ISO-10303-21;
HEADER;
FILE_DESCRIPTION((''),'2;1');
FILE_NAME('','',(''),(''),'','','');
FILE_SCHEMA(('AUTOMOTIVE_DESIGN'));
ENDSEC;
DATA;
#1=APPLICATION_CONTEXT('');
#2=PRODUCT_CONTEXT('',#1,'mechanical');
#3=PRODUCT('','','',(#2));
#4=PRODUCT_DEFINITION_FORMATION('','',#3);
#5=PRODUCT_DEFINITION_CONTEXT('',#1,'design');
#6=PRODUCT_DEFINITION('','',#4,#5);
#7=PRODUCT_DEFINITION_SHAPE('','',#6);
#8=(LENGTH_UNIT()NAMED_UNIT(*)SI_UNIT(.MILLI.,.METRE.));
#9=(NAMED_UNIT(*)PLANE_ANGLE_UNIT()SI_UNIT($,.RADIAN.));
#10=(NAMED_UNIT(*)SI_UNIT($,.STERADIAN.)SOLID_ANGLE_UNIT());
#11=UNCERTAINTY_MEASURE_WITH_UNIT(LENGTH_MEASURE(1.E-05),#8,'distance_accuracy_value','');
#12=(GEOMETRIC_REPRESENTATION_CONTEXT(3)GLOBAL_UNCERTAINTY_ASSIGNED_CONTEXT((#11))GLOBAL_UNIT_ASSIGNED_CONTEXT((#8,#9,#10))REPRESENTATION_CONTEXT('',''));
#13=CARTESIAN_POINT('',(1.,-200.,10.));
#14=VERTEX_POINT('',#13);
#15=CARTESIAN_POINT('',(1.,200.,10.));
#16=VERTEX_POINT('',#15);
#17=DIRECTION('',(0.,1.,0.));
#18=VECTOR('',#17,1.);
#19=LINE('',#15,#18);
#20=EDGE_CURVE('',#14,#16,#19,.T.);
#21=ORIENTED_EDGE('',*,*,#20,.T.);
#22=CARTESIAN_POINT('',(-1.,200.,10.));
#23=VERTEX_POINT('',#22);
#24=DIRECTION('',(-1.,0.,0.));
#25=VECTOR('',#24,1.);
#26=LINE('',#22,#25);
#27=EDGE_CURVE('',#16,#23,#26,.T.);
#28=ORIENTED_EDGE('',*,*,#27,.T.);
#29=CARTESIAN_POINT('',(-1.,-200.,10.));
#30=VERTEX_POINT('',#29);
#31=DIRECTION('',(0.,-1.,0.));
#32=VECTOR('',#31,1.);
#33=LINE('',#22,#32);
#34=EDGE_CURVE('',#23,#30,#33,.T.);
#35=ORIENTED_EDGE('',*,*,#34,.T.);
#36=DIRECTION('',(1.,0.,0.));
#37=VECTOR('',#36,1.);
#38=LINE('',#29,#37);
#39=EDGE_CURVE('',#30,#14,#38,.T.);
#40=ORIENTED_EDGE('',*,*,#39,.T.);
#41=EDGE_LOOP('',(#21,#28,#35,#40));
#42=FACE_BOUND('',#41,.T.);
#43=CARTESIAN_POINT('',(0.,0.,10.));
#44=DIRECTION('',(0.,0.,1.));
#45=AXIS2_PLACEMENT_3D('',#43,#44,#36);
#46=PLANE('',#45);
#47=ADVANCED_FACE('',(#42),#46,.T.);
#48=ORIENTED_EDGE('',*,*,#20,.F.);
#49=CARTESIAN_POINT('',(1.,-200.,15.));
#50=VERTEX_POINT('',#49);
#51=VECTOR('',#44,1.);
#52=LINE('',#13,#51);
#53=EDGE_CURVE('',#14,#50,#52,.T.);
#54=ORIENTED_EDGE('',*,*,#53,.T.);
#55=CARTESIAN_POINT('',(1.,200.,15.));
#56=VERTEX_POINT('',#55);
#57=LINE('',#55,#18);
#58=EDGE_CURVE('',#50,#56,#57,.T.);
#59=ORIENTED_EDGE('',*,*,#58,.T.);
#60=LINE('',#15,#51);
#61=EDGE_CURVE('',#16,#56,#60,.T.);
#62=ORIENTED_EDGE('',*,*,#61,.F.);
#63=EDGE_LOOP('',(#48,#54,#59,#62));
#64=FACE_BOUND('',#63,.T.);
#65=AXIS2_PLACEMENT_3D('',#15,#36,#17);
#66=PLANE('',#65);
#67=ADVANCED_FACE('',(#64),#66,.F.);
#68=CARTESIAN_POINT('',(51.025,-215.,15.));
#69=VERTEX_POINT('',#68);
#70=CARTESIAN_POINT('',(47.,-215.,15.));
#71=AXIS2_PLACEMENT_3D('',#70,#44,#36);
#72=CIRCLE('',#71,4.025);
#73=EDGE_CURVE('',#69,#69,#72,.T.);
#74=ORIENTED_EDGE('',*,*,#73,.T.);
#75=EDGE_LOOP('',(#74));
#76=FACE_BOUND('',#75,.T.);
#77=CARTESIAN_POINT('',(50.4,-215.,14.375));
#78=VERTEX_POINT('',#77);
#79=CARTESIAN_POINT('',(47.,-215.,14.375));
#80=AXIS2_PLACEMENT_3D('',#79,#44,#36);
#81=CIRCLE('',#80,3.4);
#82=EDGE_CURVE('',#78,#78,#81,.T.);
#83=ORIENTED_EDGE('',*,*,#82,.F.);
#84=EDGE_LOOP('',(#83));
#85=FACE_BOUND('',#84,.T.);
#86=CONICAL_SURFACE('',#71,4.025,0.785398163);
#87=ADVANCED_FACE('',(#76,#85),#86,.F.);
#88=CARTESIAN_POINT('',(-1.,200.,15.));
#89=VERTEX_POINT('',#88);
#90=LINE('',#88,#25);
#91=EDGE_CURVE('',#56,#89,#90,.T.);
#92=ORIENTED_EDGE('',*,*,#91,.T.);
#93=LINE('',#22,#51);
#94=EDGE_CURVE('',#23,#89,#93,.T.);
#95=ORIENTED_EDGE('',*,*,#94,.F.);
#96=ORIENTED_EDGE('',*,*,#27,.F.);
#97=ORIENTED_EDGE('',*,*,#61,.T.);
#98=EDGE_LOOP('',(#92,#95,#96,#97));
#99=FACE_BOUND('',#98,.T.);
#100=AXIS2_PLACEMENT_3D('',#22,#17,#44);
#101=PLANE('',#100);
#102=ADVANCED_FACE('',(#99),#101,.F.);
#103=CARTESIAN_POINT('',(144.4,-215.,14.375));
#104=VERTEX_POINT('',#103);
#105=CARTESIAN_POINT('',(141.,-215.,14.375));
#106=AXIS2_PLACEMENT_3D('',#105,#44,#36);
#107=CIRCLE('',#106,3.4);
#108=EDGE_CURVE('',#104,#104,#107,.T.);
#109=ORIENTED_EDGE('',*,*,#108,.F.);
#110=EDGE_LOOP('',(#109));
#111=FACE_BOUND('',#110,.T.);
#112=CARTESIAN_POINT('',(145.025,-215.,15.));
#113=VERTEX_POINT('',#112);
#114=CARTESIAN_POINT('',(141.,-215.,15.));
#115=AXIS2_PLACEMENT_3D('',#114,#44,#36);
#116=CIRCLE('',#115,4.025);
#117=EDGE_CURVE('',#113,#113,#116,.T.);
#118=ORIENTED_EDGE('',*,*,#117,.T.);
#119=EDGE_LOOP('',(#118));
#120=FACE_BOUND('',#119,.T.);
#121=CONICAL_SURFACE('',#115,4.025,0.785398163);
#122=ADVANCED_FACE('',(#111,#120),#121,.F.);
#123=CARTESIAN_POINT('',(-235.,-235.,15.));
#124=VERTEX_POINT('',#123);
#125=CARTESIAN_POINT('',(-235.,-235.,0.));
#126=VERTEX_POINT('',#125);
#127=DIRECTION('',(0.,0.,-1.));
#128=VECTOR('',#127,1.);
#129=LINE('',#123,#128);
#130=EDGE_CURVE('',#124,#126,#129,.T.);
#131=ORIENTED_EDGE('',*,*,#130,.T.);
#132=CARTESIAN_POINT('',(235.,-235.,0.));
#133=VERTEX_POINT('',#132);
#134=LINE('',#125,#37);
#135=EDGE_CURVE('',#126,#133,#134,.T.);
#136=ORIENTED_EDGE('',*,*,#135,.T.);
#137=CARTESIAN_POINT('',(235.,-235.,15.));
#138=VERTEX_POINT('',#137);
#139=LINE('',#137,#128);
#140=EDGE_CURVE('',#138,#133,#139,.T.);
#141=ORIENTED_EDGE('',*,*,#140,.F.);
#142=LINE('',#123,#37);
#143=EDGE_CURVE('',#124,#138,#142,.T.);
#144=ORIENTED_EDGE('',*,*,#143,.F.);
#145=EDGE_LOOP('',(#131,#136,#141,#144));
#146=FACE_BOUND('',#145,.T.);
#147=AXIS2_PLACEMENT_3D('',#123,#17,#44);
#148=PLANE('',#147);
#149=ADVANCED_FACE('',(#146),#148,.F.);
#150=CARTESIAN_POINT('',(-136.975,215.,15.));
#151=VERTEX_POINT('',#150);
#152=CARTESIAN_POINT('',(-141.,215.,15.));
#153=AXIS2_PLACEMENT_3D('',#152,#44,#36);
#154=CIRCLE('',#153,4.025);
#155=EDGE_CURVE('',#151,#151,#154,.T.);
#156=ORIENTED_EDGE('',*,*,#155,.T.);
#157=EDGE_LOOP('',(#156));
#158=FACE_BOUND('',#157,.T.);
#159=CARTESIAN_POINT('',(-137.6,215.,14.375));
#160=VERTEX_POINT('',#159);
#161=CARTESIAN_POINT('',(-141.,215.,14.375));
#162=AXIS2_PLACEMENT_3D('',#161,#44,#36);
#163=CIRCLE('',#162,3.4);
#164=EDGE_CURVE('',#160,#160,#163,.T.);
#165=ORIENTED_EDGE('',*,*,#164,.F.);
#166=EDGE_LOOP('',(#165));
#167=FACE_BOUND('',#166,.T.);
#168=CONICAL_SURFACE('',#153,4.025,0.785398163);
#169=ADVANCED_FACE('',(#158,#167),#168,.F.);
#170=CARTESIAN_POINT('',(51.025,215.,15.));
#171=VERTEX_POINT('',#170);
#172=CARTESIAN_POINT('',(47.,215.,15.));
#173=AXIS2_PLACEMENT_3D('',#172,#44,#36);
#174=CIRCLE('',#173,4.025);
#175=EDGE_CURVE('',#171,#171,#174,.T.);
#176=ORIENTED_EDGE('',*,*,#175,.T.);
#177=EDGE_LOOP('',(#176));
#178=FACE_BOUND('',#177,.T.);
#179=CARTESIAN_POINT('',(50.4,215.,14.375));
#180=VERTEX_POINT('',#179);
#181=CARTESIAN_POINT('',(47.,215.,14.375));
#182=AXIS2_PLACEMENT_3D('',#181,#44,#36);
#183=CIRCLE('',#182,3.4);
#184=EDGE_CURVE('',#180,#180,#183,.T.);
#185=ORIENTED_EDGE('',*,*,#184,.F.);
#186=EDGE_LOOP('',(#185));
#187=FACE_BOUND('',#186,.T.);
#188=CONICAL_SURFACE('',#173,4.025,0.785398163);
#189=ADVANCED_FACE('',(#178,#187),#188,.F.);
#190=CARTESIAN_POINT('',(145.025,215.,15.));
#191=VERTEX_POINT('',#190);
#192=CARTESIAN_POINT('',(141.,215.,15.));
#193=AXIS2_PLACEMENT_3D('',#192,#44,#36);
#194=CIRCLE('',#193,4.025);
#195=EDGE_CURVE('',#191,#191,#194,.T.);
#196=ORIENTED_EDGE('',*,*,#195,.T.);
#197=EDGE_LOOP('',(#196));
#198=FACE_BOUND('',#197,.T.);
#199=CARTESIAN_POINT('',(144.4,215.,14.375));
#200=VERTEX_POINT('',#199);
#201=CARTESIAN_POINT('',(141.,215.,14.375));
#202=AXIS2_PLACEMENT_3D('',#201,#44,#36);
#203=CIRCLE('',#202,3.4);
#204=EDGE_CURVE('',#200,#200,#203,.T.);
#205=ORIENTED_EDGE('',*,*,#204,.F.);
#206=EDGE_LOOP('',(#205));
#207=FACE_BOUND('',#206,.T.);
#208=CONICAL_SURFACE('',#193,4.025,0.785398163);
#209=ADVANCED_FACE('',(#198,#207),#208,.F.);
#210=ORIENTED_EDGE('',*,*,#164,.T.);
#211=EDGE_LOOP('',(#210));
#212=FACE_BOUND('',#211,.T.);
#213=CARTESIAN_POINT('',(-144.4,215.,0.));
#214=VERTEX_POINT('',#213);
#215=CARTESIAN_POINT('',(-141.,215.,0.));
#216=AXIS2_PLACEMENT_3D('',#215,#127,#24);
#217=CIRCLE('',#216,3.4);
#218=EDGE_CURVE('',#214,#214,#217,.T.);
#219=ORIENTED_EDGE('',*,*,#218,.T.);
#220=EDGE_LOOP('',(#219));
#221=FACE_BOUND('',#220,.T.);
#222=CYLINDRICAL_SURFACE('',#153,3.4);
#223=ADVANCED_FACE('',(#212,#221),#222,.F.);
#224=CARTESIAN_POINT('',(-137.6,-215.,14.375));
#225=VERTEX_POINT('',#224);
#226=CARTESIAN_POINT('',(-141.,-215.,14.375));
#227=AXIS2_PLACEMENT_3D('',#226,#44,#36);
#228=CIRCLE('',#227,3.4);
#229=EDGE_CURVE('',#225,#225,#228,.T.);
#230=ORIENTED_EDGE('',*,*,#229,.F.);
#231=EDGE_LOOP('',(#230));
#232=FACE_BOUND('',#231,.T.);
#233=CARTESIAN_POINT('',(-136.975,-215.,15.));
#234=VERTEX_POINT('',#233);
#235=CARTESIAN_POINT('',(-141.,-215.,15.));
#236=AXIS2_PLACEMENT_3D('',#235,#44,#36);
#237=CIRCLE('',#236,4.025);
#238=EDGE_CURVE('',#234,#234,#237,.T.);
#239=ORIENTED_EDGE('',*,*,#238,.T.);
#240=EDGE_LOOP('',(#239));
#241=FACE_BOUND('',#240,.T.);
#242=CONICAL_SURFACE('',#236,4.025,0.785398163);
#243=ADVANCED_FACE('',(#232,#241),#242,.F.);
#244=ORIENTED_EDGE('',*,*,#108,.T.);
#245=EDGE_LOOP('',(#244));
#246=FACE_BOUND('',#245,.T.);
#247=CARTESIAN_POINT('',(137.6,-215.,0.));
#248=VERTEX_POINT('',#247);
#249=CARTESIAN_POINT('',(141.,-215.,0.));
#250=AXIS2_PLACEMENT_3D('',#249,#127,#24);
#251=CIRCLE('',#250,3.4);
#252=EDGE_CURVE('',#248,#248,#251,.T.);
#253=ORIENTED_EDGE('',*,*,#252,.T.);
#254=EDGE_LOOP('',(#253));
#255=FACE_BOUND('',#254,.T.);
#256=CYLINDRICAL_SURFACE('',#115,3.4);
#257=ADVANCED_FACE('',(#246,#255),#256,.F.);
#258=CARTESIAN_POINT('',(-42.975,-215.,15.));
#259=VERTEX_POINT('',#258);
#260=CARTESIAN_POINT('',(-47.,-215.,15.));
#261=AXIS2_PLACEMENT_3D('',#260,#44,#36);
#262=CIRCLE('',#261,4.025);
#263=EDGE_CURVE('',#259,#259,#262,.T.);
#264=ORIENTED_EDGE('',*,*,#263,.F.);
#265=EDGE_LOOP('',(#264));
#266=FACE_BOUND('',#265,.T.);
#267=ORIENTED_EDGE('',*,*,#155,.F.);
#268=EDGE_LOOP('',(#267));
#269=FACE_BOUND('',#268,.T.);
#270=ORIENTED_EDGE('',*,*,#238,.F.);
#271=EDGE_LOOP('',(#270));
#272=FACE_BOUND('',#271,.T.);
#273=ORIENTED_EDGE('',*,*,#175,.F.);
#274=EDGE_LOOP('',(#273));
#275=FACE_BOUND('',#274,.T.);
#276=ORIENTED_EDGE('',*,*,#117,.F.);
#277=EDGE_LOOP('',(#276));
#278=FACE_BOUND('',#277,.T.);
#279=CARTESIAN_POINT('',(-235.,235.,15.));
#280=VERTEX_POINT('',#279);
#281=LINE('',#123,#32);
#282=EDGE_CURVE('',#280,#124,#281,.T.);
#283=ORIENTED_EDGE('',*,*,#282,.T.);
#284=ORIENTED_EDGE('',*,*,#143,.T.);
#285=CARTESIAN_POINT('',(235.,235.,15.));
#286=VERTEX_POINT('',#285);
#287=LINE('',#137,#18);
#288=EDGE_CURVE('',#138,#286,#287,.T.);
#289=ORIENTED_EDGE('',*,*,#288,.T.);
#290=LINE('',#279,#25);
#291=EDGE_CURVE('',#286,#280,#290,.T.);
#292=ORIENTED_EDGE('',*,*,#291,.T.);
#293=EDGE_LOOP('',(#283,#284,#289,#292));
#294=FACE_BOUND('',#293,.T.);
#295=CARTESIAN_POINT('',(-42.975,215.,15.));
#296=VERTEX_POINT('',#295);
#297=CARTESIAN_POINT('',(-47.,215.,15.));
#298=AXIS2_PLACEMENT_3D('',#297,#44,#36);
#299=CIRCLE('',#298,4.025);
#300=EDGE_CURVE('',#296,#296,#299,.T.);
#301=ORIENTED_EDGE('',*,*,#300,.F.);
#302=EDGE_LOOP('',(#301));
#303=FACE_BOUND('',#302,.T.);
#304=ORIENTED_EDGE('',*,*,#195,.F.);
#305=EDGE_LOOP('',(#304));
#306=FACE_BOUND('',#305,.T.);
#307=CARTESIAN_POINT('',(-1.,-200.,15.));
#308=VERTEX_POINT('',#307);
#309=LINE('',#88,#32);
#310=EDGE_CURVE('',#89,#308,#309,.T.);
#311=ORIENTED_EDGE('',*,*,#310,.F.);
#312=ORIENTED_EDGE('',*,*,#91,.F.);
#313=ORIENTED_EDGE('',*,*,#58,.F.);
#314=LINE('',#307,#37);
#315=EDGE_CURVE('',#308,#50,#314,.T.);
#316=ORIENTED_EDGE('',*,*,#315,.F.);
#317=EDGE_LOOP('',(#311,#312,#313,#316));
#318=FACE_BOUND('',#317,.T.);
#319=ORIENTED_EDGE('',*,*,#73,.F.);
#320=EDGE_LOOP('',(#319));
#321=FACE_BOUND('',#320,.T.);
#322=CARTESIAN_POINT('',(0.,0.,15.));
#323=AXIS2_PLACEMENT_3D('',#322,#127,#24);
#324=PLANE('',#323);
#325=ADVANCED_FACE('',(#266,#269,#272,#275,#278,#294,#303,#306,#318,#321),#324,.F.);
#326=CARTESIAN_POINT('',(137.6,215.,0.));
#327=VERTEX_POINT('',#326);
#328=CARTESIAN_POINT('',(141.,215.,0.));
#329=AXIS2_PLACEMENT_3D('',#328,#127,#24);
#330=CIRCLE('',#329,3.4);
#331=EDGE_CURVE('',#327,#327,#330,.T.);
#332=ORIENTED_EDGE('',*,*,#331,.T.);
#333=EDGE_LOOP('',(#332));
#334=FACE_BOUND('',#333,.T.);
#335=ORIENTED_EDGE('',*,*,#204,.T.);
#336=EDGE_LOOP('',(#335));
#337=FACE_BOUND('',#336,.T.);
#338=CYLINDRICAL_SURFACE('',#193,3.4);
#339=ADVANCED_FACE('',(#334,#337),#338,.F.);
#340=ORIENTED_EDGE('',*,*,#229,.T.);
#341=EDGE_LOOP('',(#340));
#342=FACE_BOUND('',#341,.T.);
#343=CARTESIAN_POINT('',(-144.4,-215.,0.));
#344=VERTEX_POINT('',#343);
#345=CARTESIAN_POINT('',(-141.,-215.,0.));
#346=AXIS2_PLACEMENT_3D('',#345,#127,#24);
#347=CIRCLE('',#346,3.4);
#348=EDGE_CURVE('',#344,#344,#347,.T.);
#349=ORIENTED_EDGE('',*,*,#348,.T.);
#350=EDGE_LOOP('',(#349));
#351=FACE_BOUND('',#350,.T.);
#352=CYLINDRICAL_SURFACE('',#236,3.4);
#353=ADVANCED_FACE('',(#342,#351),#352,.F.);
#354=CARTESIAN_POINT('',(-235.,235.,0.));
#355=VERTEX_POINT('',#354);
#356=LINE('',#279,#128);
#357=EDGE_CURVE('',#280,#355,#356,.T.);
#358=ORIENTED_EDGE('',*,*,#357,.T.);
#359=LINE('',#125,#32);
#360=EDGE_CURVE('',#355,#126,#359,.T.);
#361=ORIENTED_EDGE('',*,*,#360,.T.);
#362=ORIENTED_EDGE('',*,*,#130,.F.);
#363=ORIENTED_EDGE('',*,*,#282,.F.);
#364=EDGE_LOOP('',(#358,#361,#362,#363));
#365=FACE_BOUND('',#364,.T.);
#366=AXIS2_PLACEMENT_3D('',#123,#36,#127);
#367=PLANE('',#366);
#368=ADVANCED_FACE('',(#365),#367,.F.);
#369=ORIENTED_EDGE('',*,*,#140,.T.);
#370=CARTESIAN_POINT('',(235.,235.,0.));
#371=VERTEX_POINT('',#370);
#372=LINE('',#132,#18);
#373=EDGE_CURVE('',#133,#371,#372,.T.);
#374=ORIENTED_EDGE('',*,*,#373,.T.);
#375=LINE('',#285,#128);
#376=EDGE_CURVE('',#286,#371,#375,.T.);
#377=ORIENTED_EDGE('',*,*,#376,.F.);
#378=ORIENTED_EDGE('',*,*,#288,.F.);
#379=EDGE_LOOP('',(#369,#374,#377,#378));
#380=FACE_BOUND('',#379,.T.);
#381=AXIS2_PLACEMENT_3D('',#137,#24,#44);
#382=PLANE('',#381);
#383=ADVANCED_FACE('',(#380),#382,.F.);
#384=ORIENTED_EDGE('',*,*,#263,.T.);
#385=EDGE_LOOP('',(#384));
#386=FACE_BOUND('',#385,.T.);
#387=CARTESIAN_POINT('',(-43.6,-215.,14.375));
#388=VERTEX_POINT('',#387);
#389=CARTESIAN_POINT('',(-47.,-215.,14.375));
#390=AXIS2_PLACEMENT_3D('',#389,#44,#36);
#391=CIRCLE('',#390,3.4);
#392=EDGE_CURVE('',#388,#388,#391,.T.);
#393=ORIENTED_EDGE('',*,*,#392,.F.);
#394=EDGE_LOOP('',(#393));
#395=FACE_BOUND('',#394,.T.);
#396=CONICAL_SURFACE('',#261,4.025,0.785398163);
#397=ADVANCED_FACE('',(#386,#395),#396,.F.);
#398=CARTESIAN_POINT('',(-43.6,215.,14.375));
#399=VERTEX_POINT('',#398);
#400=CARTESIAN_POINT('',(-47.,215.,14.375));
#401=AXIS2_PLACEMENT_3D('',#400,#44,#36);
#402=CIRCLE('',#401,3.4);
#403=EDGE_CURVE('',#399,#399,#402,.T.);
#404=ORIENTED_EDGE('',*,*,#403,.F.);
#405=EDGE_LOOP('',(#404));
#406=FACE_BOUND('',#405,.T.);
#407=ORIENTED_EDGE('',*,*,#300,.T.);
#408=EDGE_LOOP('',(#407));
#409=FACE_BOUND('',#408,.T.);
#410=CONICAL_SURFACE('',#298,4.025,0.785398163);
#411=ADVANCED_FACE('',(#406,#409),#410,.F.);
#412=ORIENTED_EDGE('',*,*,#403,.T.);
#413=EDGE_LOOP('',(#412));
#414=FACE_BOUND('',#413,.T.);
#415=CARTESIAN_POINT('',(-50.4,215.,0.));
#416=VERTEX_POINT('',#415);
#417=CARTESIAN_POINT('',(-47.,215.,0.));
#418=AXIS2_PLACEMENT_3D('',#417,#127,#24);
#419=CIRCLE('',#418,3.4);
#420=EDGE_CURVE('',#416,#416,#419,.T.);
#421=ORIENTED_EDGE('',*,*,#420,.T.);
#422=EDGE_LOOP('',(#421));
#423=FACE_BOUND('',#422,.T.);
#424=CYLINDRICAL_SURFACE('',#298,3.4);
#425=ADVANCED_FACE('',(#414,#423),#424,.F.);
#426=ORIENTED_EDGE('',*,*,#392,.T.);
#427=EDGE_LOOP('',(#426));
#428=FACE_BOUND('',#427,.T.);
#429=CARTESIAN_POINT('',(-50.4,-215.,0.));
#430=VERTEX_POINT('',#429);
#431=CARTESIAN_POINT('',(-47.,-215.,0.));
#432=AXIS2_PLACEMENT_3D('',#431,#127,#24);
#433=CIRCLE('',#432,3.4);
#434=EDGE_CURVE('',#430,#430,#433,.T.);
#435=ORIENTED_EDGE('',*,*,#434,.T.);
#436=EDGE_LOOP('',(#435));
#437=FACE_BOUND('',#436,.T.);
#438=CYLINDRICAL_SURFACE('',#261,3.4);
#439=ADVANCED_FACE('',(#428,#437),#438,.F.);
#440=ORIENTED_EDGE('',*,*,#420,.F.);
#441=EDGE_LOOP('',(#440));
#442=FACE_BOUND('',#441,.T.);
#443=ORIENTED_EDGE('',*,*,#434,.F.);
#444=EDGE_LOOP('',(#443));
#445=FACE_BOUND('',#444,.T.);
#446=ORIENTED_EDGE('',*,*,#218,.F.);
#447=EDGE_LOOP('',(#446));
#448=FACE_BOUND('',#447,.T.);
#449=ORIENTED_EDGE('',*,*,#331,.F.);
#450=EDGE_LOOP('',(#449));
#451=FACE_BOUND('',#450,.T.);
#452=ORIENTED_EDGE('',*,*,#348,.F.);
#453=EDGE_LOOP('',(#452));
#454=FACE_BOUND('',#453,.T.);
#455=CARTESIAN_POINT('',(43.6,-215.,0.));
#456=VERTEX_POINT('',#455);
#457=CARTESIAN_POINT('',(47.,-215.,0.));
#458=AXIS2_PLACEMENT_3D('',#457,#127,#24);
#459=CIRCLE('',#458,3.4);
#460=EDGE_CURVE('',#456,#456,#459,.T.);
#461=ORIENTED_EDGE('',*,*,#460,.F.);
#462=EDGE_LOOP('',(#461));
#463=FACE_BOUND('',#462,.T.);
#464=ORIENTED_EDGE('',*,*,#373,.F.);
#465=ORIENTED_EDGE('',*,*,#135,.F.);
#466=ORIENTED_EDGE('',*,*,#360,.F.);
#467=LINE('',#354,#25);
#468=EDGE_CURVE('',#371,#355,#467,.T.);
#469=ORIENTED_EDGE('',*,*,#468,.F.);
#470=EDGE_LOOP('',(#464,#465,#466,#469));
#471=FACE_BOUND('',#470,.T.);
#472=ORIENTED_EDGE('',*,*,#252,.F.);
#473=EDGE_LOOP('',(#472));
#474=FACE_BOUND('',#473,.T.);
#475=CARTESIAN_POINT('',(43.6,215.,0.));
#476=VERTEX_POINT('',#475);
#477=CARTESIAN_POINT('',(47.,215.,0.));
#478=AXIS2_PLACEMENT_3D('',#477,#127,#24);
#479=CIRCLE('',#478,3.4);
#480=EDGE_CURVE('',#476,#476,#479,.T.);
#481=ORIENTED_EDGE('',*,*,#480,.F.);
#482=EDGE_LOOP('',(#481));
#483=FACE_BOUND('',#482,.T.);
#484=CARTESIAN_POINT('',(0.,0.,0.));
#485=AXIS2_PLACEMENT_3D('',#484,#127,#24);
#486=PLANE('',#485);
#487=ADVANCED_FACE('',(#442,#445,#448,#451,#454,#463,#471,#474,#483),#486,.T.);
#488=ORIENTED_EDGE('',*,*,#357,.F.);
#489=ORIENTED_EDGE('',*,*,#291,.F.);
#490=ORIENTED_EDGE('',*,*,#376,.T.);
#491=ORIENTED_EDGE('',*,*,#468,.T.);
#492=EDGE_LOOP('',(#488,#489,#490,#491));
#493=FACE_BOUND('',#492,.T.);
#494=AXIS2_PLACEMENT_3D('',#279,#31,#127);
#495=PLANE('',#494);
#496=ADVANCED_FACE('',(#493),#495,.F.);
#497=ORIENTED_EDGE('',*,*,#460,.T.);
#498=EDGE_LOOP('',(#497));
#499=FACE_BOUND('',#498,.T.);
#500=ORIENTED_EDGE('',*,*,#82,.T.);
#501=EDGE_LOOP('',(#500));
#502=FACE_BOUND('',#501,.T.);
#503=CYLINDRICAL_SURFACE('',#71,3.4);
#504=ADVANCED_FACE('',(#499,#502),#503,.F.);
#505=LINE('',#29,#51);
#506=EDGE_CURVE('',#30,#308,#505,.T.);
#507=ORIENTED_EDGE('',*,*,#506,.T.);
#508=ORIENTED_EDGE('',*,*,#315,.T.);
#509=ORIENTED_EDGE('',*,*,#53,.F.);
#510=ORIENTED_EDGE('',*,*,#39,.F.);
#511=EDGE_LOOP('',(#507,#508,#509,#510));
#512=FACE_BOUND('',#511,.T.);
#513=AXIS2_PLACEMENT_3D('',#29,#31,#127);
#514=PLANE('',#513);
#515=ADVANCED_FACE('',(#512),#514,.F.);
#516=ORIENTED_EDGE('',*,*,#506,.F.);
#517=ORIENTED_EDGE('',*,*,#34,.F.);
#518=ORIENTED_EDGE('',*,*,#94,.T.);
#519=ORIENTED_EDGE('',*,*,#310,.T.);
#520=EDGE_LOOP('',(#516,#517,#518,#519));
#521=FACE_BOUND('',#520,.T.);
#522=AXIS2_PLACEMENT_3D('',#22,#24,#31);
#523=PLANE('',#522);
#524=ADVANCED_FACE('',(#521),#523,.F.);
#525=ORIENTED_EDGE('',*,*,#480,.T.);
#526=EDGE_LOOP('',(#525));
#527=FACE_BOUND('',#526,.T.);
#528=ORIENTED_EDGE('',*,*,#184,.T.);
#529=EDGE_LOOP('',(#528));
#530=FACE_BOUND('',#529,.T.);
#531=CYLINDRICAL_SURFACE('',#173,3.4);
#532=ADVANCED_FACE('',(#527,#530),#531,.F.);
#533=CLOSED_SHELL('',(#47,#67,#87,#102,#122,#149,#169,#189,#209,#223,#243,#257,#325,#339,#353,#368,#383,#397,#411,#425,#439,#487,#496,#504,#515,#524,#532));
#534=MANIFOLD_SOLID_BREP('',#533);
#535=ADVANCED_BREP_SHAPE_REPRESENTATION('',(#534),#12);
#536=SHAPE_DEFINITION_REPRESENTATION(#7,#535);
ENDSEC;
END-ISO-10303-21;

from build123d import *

# Parameters (mm, degrees)
SCHIZZO1_W                      = 470
SCHIZZO1_H                      = 470
ESTRUSIONE_ESTRUSIONE1_DEPTH    = 15
FORO_FILETTATO_M8_1_D           = 6.8
FORO_FILETTATO_M8_1_DEPTH       = 22.25
FORO_FILETTATO_M8_1_CSINK_D     = 8.05
FORO_FILETTATO_M8_1_CSINK_ANGLE = 90
FORO_FILETTATO_M8_1_TIP         = 2.042926105
SCHIZZO11_W                     = 2
SCHIZZO11_H                     = 400
TAGLIO_ESTRUSIONE1_DEPTH        = 5


with BuildPart() as part:
    # Schizzo1 → Estrusione-Estrusione1 (new body)
    with BuildSketch(Plane.XY):
        Rectangle(SCHIZZO1_W, SCHIZZO1_H)
    extrude(amount=ESTRUSIONE_ESTRUSIONE1_DEPTH)

    # Foro filettato M8-1
    with Locations(Plane.XY.offset(15)):
        with Locations((-141, 215), (-47, 215), (47, 215), (141, 215), (-141, -215), (-47, -215), (141, -215), (47, -215)):
            CounterSinkHole(FORO_FILETTATO_M8_1_D / 2, FORO_FILETTATO_M8_1_CSINK_D / 2, depth=FORO_FILETTATO_M8_1_DEPTH, counter_sink_angle=FORO_FILETTATO_M8_1_CSINK_ANGLE)
            with Locations((0, 0, -(FORO_FILETTATO_M8_1_DEPTH + FORO_FILETTATO_M8_1_TIP / 2))):  # 118° drill point
                Cone(0, FORO_FILETTATO_M8_1_D / 2, FORO_FILETTATO_M8_1_TIP, mode=Mode.SUBTRACT)

    # Schizzo11 → Taglio-Estrusione1 (cut)
    with BuildSketch(Plane.XY.offset(15)):
        Rectangle(SCHIZZO11_W, SCHIZZO11_H)
    extrude(amount=-TAGLIO_ESTRUSIONE1_DEPTH, mode=Mode.SUBTRACT)


solid = part.part
